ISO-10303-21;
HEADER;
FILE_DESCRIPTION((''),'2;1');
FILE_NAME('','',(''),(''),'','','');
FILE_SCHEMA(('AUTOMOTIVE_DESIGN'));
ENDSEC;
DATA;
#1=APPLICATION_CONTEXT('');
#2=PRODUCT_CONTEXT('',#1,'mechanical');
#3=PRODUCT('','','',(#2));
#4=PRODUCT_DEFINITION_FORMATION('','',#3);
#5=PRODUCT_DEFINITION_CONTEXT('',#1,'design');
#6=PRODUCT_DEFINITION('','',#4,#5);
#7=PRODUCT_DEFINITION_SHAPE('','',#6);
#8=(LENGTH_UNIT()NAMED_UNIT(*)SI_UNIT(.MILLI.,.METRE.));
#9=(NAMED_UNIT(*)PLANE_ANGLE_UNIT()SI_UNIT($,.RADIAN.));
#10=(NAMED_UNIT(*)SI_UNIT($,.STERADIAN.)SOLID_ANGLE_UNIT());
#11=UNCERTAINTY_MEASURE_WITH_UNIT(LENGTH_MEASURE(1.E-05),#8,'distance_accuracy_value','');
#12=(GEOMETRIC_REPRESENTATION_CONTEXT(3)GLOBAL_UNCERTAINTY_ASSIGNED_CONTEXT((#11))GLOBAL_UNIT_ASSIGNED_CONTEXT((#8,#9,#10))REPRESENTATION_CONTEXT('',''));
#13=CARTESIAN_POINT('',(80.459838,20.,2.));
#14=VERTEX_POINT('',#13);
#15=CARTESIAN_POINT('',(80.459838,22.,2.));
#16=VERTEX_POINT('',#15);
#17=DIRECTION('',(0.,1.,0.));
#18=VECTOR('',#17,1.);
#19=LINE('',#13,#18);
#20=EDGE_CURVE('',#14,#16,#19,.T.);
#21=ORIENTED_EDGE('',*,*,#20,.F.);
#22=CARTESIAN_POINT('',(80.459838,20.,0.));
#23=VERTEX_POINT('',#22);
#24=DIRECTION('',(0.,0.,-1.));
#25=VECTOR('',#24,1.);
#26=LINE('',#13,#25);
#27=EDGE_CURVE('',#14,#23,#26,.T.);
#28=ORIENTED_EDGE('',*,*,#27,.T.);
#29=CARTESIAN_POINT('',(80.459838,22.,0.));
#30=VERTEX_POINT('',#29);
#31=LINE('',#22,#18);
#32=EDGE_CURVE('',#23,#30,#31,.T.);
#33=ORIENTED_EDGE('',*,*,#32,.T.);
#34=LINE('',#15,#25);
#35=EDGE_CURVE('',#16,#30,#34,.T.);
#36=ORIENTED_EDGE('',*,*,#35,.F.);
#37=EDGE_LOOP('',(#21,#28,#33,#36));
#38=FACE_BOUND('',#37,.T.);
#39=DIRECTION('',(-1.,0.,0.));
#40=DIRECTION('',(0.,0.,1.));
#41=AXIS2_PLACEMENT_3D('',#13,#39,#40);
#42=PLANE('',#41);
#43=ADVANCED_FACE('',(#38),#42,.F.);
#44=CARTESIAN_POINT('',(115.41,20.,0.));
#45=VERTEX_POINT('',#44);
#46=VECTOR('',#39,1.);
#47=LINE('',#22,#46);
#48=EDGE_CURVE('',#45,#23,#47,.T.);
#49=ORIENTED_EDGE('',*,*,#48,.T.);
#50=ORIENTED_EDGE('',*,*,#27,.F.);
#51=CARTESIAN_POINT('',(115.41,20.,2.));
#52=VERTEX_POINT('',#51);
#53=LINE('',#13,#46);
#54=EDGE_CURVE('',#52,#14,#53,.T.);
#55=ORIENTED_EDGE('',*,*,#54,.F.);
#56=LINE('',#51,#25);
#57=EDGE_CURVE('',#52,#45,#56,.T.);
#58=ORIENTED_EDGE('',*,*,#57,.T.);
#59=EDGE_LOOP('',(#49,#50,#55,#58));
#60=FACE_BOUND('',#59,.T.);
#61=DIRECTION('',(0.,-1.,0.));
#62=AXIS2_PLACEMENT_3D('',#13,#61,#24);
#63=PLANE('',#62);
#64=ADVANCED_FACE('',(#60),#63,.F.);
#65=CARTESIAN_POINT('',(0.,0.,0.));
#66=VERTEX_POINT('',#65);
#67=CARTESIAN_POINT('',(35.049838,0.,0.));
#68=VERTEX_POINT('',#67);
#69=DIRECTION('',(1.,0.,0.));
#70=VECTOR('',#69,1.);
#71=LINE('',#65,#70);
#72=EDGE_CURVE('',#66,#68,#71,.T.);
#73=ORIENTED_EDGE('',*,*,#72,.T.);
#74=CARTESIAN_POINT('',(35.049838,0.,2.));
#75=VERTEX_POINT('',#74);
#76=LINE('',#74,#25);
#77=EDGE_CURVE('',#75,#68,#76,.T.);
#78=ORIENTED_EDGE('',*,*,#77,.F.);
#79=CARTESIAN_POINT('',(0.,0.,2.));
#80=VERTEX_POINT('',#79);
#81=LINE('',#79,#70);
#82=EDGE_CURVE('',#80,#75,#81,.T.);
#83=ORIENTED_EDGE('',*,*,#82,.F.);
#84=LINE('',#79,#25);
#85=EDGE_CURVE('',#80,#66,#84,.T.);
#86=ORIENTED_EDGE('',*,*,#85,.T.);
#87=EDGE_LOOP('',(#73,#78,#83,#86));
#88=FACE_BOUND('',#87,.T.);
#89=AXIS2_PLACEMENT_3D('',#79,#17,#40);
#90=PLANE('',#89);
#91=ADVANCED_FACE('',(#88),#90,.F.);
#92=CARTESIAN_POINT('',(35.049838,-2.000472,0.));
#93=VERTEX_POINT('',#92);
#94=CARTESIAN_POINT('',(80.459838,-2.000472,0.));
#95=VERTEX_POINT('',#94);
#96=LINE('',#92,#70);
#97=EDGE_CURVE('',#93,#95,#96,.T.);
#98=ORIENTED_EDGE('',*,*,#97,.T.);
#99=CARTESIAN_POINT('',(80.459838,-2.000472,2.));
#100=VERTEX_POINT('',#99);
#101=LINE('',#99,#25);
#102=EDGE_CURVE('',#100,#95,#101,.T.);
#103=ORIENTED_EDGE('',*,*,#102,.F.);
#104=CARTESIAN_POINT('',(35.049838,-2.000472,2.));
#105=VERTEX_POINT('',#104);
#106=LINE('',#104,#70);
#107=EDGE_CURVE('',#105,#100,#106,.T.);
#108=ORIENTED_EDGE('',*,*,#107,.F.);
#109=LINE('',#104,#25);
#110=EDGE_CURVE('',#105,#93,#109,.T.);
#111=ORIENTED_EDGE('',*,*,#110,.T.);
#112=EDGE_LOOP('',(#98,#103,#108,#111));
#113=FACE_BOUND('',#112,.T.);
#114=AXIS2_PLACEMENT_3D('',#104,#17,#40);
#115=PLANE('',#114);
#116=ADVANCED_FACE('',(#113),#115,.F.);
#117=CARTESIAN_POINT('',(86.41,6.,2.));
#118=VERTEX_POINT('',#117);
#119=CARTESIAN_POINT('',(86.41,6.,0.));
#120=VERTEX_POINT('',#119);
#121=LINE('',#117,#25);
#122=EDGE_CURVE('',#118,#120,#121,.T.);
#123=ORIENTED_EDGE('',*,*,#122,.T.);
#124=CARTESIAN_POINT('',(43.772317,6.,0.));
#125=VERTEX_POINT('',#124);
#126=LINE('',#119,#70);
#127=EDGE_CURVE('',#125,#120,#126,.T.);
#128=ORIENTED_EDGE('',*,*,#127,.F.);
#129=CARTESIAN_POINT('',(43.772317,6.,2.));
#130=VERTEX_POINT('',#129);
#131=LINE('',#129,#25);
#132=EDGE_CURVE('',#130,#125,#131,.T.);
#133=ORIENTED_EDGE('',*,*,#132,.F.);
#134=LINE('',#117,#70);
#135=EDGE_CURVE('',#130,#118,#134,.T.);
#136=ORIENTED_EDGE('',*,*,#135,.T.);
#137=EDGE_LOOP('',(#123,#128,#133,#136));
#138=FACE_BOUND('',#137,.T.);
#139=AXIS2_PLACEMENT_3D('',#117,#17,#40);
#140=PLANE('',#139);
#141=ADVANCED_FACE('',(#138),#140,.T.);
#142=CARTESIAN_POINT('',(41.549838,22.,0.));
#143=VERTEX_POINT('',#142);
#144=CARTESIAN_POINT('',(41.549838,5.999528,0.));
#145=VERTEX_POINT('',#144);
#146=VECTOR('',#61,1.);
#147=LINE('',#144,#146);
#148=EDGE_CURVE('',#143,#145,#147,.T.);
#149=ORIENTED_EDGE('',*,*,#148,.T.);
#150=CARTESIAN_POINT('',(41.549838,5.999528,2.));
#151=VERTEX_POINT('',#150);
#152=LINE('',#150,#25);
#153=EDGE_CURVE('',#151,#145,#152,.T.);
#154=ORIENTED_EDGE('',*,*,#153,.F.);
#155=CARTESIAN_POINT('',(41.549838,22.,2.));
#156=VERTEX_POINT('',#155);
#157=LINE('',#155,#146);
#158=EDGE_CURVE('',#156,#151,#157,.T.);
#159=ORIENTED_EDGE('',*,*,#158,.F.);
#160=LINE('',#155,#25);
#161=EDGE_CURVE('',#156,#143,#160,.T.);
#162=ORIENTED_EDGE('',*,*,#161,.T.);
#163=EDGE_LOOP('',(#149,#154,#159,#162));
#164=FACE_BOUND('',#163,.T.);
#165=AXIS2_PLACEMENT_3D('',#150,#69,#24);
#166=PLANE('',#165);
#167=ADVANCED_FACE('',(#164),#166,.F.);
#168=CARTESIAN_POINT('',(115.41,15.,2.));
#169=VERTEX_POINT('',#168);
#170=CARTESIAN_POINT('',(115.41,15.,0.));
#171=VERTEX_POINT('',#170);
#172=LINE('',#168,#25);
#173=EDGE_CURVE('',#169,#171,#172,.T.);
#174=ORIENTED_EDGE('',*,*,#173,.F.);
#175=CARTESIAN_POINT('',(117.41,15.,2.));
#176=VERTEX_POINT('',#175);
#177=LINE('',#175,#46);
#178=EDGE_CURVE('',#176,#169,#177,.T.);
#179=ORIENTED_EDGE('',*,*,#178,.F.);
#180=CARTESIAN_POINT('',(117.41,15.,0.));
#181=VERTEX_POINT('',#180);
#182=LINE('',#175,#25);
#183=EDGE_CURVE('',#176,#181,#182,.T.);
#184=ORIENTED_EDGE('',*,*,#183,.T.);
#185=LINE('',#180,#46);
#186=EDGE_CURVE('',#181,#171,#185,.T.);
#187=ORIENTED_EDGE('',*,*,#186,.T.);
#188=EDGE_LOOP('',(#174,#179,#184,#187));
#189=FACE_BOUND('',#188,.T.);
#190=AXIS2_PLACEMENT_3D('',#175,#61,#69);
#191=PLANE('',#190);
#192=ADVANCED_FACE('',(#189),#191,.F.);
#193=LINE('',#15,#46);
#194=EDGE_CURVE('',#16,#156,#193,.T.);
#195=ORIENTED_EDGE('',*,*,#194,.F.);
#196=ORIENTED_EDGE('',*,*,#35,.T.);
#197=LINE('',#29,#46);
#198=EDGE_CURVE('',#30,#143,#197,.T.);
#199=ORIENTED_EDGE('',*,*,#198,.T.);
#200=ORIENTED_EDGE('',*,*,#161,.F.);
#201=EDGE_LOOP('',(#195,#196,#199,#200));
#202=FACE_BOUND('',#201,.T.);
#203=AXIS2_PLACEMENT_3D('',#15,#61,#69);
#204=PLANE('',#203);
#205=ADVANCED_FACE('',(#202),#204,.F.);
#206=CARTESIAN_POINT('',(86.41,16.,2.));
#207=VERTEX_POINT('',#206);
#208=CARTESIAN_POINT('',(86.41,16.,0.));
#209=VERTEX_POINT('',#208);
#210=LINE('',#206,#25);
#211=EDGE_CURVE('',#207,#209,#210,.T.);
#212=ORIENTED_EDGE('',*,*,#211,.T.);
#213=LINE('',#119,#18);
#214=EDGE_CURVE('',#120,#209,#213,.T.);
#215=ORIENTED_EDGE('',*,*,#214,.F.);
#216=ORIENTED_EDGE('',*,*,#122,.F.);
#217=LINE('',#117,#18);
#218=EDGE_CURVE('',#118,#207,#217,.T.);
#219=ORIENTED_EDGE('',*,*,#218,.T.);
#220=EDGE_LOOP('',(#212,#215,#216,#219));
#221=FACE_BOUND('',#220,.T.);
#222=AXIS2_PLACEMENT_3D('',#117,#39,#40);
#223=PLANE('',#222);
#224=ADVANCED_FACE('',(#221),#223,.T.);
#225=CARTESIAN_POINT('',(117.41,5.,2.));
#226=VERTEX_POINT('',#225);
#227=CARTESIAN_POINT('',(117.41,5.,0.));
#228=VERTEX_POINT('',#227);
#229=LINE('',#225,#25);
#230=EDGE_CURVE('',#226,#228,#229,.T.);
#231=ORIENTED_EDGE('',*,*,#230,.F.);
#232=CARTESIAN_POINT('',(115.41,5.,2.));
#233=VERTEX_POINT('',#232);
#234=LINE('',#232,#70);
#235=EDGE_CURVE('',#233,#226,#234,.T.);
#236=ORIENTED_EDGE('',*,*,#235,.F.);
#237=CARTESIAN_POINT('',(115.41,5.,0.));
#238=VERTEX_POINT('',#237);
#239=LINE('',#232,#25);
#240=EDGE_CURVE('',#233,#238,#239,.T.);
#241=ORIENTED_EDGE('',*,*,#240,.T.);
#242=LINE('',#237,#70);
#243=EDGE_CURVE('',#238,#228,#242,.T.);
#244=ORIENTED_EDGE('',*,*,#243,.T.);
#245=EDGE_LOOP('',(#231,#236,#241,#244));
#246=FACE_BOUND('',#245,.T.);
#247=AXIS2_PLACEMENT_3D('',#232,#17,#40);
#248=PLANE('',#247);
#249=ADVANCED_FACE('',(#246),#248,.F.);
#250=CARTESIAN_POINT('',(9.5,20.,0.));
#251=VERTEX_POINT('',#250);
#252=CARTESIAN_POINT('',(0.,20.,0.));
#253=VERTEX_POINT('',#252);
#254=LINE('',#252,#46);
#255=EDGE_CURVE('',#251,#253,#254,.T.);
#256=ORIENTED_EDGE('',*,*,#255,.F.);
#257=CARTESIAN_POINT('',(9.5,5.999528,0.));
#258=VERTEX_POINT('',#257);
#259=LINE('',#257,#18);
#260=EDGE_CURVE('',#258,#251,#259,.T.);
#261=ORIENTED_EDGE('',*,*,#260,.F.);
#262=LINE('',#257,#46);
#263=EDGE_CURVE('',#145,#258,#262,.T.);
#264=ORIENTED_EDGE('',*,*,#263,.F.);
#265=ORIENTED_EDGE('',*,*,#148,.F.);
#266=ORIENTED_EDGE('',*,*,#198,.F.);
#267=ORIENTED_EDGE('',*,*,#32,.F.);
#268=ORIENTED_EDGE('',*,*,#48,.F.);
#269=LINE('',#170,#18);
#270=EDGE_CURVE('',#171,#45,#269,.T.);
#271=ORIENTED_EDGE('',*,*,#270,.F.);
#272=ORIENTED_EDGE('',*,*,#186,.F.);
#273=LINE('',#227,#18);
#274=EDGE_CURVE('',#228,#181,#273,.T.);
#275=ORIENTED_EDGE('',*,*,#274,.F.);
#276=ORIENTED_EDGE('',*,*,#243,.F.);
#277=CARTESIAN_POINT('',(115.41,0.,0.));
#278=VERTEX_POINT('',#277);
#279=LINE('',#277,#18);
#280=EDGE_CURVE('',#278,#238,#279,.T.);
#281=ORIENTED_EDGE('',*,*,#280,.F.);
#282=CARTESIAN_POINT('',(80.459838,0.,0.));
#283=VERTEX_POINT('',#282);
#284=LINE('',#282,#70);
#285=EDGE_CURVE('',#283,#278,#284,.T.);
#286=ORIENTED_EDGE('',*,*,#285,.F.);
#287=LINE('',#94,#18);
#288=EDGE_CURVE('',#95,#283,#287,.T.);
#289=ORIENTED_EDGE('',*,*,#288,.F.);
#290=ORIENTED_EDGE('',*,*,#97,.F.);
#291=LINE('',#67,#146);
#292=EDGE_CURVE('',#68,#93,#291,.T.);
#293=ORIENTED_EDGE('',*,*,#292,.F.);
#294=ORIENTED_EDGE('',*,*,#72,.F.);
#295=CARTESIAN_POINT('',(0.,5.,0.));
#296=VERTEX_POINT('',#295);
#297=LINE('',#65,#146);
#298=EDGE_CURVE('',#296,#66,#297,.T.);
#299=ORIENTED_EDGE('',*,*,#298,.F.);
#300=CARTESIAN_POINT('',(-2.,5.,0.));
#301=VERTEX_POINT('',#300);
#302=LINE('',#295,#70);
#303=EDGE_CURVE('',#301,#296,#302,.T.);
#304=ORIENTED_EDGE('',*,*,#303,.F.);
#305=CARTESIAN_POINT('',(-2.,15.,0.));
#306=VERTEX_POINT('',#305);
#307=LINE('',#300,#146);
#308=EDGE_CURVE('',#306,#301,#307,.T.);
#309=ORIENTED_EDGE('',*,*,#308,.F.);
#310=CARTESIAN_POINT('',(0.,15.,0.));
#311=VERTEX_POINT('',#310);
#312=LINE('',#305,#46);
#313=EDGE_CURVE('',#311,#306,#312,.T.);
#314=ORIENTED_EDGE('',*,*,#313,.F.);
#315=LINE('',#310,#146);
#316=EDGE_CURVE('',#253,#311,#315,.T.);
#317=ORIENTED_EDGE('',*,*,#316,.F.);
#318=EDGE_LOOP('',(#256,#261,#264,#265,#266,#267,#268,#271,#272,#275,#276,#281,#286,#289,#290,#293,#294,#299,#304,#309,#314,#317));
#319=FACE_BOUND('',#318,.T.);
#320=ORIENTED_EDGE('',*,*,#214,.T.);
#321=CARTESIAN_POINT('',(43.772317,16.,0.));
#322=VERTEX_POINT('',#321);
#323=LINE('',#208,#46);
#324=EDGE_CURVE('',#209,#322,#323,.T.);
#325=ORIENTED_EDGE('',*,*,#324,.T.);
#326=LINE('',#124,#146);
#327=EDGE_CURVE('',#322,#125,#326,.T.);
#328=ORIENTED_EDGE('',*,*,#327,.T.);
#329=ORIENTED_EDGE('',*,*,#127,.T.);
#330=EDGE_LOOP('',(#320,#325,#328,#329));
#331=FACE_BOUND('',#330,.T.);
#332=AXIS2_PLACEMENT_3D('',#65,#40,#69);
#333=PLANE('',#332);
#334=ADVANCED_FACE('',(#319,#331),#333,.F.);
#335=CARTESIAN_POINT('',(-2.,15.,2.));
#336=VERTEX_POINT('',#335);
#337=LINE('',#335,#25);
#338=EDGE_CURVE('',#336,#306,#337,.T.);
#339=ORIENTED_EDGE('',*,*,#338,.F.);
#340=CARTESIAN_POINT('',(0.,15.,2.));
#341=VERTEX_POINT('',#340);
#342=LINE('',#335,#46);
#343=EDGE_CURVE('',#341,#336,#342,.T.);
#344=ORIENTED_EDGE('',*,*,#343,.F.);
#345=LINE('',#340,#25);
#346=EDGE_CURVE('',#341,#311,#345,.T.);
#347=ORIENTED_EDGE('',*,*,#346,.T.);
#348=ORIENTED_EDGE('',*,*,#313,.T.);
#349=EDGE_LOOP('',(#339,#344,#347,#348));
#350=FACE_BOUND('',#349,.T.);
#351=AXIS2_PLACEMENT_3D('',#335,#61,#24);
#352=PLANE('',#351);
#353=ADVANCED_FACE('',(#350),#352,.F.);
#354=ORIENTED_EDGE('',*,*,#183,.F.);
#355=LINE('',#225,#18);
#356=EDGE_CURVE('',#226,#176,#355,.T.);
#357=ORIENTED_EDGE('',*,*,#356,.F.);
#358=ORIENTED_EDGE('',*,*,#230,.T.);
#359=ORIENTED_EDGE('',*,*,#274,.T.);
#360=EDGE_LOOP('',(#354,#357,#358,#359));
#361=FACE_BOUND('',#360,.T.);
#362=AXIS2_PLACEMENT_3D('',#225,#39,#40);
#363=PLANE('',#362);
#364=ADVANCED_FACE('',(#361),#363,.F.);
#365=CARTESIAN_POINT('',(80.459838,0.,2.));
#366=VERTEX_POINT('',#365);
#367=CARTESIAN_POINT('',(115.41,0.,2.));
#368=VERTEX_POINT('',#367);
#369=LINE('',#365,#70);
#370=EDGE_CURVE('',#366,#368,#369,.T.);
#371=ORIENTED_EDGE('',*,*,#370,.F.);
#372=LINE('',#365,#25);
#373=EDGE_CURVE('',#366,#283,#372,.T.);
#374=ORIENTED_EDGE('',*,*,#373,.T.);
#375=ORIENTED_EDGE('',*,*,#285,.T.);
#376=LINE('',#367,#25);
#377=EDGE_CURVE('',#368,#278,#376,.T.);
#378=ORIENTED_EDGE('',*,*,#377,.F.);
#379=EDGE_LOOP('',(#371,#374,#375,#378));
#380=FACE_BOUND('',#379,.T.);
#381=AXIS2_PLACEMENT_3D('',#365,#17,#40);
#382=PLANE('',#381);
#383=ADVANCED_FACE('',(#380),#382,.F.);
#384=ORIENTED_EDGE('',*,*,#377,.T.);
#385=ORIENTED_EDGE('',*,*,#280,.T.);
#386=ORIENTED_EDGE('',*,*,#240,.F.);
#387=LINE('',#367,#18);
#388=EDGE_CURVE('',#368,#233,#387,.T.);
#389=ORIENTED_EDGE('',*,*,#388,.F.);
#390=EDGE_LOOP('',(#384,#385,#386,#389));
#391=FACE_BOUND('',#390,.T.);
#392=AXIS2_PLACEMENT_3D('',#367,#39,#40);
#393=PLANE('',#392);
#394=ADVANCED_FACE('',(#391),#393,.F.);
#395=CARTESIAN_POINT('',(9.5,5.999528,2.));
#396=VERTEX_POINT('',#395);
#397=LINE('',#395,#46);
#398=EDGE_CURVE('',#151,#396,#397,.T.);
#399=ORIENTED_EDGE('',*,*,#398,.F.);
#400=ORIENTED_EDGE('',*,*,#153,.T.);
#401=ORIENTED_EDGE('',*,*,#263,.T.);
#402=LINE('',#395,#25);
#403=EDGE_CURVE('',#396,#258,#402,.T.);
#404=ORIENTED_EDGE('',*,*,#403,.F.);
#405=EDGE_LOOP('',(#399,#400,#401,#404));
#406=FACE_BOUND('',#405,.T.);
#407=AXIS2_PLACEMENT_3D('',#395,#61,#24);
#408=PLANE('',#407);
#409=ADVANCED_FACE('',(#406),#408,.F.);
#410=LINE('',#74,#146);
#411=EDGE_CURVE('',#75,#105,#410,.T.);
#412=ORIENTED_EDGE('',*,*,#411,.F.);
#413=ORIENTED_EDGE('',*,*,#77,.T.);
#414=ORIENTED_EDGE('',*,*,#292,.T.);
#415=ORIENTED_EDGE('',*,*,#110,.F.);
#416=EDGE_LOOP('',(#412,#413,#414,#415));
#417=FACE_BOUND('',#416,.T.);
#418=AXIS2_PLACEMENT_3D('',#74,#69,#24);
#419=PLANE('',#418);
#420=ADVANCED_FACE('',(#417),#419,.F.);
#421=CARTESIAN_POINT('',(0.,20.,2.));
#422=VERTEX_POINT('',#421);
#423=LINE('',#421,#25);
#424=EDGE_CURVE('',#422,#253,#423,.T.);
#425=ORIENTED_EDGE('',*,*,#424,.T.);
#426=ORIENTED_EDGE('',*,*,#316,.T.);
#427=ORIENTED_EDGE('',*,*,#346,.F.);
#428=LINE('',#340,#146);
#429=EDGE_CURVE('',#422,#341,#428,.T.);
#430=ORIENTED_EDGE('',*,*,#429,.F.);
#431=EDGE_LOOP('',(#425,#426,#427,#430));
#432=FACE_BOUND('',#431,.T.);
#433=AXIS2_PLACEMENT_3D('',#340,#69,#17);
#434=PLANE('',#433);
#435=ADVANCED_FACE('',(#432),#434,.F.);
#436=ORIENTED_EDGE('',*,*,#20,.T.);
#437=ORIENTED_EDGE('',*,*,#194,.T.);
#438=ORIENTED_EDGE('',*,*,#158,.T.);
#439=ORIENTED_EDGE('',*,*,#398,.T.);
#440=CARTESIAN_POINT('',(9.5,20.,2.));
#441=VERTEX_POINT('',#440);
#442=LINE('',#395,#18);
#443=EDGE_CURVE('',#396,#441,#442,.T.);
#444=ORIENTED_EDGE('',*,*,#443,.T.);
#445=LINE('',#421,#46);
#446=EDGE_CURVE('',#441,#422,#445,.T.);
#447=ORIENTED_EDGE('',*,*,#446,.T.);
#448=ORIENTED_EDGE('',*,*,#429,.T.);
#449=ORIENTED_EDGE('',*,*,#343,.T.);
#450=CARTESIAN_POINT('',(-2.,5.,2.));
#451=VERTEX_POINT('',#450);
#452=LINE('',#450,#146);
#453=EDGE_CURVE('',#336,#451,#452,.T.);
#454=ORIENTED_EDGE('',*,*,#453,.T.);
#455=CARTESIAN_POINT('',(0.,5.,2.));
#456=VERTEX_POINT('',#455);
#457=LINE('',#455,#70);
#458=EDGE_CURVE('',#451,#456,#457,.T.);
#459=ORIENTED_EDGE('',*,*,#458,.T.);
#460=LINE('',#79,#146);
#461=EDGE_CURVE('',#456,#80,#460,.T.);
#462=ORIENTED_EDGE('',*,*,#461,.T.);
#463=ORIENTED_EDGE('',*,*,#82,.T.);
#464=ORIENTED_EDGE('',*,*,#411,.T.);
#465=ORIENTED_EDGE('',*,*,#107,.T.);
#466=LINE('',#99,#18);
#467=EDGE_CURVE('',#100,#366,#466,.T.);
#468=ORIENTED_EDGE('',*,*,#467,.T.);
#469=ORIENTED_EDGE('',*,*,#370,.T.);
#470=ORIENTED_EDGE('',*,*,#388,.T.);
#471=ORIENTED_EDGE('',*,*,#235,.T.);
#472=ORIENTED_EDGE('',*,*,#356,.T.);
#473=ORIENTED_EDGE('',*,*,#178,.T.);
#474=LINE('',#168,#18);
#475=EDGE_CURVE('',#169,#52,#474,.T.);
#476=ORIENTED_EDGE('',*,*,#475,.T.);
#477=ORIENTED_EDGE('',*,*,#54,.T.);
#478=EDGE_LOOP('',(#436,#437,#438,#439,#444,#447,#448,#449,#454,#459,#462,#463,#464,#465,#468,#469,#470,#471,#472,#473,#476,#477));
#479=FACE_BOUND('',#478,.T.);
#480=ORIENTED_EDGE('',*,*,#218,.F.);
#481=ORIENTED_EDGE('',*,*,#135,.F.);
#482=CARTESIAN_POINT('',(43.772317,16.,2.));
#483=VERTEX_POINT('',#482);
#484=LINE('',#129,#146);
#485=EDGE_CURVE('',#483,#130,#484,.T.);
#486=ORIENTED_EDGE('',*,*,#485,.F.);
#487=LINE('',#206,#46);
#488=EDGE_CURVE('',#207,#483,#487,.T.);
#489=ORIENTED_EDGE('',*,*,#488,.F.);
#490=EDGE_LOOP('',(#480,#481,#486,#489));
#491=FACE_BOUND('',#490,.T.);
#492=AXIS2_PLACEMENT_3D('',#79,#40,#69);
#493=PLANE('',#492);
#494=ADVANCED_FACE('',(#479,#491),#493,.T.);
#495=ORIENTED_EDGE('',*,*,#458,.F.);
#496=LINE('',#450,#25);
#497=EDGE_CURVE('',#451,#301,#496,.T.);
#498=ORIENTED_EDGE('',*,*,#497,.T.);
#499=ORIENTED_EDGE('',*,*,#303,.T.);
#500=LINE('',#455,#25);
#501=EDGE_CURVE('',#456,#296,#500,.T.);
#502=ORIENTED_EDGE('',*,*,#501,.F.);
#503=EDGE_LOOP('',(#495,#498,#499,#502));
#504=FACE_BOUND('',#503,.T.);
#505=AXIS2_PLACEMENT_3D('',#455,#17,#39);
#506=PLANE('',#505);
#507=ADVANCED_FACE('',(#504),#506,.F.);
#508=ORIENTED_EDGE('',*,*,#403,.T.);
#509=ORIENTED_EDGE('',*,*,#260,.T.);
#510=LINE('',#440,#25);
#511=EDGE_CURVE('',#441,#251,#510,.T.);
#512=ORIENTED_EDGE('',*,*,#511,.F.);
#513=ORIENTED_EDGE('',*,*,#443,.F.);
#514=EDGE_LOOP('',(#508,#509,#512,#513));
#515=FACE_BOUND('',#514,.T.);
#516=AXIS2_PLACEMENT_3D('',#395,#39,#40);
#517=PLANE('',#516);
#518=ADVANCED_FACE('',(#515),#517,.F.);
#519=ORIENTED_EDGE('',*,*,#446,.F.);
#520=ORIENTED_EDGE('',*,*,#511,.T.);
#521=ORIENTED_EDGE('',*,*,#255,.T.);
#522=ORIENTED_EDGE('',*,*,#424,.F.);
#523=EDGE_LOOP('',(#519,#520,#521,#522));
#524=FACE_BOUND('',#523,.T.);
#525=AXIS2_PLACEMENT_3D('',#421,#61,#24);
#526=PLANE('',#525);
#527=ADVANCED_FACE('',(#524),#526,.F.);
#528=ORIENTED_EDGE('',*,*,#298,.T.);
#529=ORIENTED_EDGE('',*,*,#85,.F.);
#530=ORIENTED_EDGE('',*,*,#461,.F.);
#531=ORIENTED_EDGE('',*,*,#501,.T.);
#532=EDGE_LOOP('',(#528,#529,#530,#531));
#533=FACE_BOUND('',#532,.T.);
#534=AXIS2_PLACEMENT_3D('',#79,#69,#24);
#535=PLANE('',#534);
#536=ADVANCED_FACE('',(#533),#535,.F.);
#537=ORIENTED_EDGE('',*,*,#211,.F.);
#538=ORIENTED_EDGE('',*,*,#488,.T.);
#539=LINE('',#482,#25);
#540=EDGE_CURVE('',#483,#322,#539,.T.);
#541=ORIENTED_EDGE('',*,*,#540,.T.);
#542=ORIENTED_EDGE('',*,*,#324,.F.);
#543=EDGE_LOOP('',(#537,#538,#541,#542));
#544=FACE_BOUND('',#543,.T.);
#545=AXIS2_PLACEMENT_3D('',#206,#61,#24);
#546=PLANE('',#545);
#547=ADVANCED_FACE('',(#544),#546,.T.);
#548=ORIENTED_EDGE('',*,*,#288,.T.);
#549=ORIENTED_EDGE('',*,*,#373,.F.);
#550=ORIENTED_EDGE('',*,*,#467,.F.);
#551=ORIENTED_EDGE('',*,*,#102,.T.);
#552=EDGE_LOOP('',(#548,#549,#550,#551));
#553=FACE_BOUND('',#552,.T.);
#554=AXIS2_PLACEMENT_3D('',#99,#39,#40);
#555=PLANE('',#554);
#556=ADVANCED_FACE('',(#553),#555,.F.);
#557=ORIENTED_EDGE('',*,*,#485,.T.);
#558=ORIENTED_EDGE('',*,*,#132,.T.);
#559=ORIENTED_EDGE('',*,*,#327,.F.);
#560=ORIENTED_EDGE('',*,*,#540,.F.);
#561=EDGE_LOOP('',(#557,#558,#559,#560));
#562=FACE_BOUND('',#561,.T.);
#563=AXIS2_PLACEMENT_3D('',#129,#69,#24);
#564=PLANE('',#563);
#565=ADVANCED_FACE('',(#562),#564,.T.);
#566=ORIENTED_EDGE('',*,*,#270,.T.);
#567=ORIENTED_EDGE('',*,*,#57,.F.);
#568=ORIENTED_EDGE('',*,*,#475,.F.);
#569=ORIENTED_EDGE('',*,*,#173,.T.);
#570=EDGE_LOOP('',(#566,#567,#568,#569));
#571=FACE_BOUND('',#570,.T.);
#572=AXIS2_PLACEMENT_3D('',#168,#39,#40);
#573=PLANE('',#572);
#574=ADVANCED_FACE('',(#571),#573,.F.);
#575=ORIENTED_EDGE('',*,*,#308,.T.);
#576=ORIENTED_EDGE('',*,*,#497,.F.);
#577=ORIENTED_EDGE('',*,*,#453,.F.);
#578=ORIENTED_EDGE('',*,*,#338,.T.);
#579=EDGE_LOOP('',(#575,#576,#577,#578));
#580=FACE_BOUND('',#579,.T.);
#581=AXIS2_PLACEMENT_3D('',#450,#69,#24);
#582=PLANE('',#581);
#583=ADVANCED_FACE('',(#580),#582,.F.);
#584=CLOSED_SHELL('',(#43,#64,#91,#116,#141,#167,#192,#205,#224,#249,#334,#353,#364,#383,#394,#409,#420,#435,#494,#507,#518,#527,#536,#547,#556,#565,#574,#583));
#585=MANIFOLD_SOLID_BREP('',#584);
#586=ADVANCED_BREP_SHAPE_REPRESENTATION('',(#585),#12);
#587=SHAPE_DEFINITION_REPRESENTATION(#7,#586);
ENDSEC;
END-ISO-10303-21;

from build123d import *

# Parameters (mm, degrees)
SKETCH1_W           = 42.637682839
SKETCH1_H           = 10
BOSS_EXTRUDE1_DEPTH = 2


with BuildPart() as part:
    # Sketch1 → Boss-Extrude1 (new body)
    with BuildSketch(Plane.XY):
        Polygon((0, 20), (9.5, 20), (9.5, 5.999528404), (41.549837727, 5.999528404), (41.549837727, 20), (41.549837727, 22), (80.459837727, 22), (80.459837727, 20), (115.41, 20), (115.41, 15), (117.41, 15), (117.41, 5), (115.41, 5), (115.41, 0), (80.459837727, 0), (80.459837727, -2.000471596), (35.049837727, -2.000471596), (35.049837727, 0), (0, 0), (0, 5), (-2, 5), (-2, 15), (0, 15), align=None)
        with Locations((65.091158581, 11)):
            Rectangle(SKETCH1_W, SKETCH1_H, mode=Mode.SUBTRACT)
    extrude(amount=BOSS_EXTRUDE1_DEPTH)


solid = part.part
